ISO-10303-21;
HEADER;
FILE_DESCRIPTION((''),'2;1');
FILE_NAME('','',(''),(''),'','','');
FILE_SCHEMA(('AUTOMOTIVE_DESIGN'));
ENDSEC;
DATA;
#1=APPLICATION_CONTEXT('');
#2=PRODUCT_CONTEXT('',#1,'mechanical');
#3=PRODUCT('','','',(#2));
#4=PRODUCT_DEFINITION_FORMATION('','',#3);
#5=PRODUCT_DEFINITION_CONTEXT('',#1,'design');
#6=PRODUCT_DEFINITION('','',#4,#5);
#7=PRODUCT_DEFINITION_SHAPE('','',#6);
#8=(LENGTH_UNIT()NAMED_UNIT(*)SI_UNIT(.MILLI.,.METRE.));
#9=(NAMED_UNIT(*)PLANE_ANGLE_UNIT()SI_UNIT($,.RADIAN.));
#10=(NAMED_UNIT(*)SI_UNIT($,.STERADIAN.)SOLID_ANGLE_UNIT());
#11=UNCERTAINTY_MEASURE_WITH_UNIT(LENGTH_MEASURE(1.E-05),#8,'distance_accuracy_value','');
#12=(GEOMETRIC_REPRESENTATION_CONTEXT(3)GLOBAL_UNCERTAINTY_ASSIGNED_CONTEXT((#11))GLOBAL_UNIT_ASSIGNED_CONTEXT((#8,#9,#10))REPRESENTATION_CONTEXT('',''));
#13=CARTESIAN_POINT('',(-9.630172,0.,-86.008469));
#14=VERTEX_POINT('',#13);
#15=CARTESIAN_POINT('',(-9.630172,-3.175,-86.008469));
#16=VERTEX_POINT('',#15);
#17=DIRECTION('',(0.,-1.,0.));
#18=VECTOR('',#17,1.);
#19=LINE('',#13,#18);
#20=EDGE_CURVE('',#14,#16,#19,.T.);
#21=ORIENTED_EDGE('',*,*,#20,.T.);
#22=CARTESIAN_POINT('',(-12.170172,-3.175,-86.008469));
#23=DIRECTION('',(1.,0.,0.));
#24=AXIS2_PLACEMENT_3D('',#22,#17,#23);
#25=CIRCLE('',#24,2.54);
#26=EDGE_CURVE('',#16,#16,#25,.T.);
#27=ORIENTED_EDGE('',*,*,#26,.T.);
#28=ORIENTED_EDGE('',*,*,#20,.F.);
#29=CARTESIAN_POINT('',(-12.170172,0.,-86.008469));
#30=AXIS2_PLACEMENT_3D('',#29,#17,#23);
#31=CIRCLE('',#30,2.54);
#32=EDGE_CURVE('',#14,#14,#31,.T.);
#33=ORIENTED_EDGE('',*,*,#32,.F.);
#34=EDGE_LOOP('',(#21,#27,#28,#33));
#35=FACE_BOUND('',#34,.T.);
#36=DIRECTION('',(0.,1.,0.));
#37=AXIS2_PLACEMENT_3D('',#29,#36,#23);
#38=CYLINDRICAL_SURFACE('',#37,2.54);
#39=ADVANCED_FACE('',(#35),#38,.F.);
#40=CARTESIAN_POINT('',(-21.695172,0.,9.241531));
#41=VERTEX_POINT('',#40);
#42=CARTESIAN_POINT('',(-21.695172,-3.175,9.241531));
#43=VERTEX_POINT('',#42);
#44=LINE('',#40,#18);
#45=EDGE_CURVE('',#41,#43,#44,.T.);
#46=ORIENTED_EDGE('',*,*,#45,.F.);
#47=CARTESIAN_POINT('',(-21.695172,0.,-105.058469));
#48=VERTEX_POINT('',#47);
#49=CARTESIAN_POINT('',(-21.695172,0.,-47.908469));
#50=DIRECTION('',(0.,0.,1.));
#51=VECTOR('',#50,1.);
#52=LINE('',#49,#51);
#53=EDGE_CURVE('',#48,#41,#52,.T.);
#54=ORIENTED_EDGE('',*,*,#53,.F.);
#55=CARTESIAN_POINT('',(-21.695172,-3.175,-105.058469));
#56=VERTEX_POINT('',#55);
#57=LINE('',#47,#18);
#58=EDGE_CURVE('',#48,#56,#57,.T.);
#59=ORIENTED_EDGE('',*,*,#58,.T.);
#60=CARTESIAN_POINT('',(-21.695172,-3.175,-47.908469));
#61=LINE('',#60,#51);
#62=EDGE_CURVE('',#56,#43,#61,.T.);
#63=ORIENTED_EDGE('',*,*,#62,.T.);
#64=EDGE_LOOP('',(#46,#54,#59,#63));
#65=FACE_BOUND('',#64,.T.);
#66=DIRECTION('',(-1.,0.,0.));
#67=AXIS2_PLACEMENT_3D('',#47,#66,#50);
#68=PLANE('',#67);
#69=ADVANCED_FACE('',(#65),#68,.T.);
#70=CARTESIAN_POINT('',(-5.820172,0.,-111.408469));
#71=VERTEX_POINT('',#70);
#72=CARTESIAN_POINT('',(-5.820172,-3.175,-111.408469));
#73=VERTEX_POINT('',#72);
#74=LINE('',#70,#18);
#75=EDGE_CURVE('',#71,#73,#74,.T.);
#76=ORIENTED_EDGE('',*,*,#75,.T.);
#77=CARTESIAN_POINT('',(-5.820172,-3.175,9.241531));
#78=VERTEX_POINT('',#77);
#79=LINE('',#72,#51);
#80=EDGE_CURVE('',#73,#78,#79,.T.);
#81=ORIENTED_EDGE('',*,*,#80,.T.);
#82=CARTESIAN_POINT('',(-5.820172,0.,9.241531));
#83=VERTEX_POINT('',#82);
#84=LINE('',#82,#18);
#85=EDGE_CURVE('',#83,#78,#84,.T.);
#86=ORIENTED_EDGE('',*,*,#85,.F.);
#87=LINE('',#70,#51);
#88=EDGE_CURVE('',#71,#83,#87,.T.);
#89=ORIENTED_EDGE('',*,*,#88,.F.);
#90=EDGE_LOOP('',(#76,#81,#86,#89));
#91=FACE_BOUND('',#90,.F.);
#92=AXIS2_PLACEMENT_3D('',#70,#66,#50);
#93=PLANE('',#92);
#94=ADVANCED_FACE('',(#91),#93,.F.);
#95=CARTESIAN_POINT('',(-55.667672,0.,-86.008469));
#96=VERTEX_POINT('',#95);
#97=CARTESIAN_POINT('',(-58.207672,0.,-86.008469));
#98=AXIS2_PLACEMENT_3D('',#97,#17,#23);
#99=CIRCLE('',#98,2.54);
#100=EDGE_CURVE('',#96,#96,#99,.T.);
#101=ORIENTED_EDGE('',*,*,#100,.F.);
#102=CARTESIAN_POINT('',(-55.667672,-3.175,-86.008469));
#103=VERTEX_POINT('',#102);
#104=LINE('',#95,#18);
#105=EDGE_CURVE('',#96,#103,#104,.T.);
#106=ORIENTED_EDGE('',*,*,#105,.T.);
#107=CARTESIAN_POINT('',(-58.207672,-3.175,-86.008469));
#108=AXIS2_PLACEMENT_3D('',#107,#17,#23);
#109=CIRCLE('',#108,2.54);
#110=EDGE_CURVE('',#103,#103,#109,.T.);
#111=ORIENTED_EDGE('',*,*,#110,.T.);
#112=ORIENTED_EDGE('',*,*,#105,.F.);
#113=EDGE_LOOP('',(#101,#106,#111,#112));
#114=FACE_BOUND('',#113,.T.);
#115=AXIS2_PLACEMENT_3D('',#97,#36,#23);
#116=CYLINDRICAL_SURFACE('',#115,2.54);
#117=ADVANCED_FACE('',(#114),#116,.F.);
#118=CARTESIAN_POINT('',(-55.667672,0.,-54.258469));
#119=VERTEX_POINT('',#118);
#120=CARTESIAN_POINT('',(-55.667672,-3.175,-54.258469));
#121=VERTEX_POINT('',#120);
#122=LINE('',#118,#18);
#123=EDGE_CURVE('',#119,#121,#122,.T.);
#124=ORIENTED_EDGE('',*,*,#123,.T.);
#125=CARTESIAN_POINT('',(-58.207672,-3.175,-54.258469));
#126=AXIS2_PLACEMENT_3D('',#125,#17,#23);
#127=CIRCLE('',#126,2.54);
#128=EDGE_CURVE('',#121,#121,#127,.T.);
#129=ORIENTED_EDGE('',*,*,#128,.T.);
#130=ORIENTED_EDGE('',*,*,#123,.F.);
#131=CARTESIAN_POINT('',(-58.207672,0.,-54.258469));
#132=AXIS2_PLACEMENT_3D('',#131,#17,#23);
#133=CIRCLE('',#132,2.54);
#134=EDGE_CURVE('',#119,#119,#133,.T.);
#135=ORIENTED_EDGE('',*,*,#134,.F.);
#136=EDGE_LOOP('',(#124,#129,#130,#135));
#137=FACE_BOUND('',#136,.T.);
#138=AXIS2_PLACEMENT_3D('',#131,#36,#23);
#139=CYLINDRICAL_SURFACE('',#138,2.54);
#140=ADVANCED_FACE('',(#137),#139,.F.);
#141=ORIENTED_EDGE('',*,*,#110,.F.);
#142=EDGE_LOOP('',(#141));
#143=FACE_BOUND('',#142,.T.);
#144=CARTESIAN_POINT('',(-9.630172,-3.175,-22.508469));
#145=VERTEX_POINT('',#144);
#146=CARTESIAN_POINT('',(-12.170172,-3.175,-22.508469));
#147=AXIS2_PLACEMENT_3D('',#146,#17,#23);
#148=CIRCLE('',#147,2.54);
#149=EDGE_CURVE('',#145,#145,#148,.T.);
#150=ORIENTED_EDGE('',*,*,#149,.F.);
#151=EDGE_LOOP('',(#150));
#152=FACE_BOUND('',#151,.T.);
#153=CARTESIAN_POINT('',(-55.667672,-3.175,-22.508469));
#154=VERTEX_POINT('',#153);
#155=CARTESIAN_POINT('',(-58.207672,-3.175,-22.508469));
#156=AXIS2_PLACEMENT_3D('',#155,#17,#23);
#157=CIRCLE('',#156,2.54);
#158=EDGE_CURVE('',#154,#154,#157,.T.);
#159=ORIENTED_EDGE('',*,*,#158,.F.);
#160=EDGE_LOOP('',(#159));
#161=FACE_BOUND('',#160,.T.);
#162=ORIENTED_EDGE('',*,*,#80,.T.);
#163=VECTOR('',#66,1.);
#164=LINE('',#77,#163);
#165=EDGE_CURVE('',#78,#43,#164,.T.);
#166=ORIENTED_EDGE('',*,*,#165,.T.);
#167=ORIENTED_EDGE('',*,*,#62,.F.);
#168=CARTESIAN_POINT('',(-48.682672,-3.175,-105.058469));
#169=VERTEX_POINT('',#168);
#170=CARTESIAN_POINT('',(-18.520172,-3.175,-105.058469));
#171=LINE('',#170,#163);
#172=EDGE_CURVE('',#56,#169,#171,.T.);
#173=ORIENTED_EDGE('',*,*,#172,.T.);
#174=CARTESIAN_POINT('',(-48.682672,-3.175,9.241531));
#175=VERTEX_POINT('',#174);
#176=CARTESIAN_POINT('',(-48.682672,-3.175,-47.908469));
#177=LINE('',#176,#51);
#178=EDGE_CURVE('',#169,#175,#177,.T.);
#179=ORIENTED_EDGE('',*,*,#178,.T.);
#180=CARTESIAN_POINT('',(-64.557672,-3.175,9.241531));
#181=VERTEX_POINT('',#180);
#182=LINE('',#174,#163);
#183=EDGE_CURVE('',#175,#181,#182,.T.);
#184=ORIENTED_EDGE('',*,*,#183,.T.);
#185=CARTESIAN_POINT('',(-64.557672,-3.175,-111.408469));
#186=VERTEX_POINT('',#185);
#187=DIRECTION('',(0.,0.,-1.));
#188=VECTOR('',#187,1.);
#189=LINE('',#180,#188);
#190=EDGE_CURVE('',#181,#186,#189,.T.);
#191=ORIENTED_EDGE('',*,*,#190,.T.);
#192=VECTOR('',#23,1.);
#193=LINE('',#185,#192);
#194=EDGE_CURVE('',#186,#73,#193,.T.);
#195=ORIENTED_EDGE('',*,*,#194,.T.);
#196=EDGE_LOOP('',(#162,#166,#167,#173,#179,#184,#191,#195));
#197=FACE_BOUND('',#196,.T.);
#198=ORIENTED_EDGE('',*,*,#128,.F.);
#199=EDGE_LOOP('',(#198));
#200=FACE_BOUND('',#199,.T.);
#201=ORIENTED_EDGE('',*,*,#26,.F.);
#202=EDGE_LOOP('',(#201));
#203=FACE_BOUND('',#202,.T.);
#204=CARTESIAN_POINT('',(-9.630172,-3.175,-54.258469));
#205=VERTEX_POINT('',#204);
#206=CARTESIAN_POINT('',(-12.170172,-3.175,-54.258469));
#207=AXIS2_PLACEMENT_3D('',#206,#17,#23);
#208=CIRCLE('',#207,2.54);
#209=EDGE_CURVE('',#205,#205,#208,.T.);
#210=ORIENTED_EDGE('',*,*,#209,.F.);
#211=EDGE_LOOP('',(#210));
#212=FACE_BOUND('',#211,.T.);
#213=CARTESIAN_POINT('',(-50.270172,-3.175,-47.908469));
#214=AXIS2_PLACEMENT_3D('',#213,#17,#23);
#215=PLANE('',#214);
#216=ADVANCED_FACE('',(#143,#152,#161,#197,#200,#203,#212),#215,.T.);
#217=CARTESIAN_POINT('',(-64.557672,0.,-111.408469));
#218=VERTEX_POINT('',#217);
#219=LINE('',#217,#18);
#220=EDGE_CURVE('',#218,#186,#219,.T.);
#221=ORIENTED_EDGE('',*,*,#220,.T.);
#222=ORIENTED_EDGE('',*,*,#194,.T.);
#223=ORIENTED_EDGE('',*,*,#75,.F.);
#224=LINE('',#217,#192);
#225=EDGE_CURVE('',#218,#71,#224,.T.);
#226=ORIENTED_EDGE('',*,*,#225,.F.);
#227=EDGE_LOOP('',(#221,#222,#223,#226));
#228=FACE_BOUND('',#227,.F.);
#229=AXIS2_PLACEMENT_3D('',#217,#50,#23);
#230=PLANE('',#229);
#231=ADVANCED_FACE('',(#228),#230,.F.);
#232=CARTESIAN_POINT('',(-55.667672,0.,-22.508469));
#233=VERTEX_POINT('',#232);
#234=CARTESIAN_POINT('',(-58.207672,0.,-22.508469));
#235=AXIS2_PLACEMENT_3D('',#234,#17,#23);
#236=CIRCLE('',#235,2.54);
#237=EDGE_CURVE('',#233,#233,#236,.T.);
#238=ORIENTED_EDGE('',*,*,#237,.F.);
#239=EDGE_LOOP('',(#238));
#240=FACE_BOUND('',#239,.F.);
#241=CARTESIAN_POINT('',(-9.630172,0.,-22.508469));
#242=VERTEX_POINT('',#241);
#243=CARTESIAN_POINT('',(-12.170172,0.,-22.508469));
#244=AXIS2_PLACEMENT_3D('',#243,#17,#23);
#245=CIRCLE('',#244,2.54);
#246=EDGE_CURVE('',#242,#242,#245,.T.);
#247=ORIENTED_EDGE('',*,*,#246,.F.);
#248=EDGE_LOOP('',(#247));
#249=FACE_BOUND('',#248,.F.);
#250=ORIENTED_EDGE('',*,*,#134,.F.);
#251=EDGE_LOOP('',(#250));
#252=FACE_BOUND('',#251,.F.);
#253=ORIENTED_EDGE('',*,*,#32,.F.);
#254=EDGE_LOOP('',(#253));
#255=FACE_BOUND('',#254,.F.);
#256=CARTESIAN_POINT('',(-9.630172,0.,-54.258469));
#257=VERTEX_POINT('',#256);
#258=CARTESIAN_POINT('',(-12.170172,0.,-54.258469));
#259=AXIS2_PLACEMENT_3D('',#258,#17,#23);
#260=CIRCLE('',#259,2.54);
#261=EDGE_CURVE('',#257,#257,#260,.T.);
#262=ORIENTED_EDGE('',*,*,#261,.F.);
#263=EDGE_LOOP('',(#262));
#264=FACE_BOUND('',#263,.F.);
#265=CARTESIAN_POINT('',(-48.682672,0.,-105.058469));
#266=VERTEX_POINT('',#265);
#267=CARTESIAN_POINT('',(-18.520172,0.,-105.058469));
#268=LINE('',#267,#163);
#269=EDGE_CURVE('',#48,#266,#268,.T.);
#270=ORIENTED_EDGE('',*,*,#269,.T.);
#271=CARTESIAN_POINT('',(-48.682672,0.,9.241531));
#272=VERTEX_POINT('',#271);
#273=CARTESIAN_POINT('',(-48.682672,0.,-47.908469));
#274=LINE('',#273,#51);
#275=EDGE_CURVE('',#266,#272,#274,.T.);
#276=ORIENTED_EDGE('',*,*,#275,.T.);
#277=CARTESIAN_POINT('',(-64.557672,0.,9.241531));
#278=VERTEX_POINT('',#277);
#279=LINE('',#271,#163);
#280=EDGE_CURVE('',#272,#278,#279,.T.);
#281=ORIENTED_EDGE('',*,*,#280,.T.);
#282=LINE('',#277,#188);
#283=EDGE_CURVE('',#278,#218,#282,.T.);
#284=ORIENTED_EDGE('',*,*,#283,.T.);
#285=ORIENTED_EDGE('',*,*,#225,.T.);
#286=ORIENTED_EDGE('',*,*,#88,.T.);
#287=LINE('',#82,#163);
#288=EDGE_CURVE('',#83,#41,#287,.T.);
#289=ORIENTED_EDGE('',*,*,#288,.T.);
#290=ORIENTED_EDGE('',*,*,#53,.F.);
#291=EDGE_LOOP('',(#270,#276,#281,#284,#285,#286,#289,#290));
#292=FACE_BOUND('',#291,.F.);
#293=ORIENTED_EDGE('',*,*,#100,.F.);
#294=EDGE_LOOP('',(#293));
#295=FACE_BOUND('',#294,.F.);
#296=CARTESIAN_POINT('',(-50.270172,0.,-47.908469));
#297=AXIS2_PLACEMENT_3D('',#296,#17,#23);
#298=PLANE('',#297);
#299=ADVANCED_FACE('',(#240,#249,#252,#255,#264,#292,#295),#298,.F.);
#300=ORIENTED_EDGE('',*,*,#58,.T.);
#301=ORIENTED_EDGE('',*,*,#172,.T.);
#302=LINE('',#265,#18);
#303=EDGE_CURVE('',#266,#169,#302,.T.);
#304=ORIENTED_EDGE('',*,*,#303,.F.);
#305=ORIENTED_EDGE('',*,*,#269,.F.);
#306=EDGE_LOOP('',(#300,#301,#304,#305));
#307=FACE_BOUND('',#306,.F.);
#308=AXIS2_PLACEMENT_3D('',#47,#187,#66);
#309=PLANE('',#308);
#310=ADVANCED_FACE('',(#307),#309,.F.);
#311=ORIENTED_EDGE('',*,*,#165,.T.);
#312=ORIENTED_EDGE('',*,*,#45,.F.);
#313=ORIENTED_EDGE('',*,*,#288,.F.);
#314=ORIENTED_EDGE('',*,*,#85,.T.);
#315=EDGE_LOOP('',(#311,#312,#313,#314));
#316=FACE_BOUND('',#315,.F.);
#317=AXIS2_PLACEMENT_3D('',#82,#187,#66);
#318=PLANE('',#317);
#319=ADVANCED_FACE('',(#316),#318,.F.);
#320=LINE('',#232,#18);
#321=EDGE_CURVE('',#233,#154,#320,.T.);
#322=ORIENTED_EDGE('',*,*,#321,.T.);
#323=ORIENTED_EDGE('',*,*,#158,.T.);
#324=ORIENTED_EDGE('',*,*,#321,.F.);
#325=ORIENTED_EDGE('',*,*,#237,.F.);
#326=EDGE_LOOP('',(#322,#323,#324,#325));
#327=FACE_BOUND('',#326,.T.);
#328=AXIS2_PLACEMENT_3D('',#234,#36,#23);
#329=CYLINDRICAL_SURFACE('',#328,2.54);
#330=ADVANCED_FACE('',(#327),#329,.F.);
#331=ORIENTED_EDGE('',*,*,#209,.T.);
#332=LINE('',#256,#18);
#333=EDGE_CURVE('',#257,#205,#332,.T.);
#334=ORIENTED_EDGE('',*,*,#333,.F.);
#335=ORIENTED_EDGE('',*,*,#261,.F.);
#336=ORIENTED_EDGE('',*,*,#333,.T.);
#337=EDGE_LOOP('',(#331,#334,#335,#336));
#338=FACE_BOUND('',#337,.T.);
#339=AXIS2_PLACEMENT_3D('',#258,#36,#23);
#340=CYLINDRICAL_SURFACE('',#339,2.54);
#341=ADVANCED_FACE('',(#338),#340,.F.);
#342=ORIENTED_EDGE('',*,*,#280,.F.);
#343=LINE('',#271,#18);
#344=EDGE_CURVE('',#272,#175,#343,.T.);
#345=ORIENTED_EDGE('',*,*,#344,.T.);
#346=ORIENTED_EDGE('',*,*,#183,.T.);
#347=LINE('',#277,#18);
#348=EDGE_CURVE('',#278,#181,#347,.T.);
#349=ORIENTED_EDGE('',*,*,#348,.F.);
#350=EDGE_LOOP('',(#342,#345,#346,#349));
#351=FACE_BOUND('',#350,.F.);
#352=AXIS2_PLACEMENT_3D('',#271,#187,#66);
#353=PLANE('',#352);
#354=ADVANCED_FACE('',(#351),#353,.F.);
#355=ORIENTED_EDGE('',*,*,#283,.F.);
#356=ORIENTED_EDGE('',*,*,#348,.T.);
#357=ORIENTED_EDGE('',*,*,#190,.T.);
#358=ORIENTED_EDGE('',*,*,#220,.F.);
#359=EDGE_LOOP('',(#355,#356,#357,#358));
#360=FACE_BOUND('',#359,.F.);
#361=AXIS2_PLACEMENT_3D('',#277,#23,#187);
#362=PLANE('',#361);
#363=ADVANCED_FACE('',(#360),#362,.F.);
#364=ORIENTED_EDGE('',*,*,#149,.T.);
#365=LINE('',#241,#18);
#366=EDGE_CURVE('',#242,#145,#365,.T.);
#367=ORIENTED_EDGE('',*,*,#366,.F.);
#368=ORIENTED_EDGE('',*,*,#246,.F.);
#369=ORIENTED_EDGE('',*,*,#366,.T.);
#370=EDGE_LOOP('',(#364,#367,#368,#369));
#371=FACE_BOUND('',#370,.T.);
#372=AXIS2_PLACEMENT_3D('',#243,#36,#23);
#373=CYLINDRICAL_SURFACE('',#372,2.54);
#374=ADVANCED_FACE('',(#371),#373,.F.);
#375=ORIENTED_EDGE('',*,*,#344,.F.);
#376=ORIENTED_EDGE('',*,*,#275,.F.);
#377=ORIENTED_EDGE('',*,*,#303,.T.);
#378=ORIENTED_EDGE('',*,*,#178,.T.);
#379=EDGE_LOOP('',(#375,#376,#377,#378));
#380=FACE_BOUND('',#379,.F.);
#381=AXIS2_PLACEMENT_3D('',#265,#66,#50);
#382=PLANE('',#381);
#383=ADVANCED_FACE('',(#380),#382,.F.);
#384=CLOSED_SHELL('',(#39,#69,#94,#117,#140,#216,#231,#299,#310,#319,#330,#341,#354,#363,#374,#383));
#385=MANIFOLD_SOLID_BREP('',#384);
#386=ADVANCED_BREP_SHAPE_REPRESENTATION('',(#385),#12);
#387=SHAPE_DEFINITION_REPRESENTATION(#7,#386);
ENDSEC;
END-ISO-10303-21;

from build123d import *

# Parameters (mm, degrees)
F0_W     = 3.175
F0_H     = 114.3
F0_R     = 2.54
F1_DEPTH = 3.175


with BuildPart() as f1:
    # F0 (on Front) → F1 (new body)
    with BuildSketch(Plane.XZ):
        with Locations((-50.270172, -47.908469)):
            Rectangle(F0_W, F0_H)
        Polygon((-21.695172, -105.058469), (-48.682672, -105.058469), (-51.857672, -105.058469), (-51.857672, 9.241531), (-64.557672, 9.241531), (-64.557672, -111.408469), (-5.820172, -111.408469), (-5.820172, 9.241531), (-18.520172, 9.241531), (-18.520172, -105.058469), align=None)
        with Locations((-58.207672, -86.008469)):
            Circle(F0_R, mode=Mode.SUBTRACT)
        with Locations((-58.207672, -54.258469)):
            Circle(F0_R, mode=Mode.SUBTRACT)
        with Locations((-12.170172, -86.008469)):
            Circle(F0_R, mode=Mode.SUBTRACT)
        with Locations((-12.170172, -54.258469)):
            Circle(F0_R, mode=Mode.SUBTRACT)
        with Locations((-58.207672, -22.508469)):
            Circle(F0_R, mode=Mode.SUBTRACT)
        with Locations((-12.170172, -22.508469)):
            Circle(F0_R, mode=Mode.SUBTRACT)
        with Locations((-20.107672, -47.908469)):
            Rectangle(F0_W, F0_H)
    extrude(amount=F1_DEPTH)


solid = f1.part
